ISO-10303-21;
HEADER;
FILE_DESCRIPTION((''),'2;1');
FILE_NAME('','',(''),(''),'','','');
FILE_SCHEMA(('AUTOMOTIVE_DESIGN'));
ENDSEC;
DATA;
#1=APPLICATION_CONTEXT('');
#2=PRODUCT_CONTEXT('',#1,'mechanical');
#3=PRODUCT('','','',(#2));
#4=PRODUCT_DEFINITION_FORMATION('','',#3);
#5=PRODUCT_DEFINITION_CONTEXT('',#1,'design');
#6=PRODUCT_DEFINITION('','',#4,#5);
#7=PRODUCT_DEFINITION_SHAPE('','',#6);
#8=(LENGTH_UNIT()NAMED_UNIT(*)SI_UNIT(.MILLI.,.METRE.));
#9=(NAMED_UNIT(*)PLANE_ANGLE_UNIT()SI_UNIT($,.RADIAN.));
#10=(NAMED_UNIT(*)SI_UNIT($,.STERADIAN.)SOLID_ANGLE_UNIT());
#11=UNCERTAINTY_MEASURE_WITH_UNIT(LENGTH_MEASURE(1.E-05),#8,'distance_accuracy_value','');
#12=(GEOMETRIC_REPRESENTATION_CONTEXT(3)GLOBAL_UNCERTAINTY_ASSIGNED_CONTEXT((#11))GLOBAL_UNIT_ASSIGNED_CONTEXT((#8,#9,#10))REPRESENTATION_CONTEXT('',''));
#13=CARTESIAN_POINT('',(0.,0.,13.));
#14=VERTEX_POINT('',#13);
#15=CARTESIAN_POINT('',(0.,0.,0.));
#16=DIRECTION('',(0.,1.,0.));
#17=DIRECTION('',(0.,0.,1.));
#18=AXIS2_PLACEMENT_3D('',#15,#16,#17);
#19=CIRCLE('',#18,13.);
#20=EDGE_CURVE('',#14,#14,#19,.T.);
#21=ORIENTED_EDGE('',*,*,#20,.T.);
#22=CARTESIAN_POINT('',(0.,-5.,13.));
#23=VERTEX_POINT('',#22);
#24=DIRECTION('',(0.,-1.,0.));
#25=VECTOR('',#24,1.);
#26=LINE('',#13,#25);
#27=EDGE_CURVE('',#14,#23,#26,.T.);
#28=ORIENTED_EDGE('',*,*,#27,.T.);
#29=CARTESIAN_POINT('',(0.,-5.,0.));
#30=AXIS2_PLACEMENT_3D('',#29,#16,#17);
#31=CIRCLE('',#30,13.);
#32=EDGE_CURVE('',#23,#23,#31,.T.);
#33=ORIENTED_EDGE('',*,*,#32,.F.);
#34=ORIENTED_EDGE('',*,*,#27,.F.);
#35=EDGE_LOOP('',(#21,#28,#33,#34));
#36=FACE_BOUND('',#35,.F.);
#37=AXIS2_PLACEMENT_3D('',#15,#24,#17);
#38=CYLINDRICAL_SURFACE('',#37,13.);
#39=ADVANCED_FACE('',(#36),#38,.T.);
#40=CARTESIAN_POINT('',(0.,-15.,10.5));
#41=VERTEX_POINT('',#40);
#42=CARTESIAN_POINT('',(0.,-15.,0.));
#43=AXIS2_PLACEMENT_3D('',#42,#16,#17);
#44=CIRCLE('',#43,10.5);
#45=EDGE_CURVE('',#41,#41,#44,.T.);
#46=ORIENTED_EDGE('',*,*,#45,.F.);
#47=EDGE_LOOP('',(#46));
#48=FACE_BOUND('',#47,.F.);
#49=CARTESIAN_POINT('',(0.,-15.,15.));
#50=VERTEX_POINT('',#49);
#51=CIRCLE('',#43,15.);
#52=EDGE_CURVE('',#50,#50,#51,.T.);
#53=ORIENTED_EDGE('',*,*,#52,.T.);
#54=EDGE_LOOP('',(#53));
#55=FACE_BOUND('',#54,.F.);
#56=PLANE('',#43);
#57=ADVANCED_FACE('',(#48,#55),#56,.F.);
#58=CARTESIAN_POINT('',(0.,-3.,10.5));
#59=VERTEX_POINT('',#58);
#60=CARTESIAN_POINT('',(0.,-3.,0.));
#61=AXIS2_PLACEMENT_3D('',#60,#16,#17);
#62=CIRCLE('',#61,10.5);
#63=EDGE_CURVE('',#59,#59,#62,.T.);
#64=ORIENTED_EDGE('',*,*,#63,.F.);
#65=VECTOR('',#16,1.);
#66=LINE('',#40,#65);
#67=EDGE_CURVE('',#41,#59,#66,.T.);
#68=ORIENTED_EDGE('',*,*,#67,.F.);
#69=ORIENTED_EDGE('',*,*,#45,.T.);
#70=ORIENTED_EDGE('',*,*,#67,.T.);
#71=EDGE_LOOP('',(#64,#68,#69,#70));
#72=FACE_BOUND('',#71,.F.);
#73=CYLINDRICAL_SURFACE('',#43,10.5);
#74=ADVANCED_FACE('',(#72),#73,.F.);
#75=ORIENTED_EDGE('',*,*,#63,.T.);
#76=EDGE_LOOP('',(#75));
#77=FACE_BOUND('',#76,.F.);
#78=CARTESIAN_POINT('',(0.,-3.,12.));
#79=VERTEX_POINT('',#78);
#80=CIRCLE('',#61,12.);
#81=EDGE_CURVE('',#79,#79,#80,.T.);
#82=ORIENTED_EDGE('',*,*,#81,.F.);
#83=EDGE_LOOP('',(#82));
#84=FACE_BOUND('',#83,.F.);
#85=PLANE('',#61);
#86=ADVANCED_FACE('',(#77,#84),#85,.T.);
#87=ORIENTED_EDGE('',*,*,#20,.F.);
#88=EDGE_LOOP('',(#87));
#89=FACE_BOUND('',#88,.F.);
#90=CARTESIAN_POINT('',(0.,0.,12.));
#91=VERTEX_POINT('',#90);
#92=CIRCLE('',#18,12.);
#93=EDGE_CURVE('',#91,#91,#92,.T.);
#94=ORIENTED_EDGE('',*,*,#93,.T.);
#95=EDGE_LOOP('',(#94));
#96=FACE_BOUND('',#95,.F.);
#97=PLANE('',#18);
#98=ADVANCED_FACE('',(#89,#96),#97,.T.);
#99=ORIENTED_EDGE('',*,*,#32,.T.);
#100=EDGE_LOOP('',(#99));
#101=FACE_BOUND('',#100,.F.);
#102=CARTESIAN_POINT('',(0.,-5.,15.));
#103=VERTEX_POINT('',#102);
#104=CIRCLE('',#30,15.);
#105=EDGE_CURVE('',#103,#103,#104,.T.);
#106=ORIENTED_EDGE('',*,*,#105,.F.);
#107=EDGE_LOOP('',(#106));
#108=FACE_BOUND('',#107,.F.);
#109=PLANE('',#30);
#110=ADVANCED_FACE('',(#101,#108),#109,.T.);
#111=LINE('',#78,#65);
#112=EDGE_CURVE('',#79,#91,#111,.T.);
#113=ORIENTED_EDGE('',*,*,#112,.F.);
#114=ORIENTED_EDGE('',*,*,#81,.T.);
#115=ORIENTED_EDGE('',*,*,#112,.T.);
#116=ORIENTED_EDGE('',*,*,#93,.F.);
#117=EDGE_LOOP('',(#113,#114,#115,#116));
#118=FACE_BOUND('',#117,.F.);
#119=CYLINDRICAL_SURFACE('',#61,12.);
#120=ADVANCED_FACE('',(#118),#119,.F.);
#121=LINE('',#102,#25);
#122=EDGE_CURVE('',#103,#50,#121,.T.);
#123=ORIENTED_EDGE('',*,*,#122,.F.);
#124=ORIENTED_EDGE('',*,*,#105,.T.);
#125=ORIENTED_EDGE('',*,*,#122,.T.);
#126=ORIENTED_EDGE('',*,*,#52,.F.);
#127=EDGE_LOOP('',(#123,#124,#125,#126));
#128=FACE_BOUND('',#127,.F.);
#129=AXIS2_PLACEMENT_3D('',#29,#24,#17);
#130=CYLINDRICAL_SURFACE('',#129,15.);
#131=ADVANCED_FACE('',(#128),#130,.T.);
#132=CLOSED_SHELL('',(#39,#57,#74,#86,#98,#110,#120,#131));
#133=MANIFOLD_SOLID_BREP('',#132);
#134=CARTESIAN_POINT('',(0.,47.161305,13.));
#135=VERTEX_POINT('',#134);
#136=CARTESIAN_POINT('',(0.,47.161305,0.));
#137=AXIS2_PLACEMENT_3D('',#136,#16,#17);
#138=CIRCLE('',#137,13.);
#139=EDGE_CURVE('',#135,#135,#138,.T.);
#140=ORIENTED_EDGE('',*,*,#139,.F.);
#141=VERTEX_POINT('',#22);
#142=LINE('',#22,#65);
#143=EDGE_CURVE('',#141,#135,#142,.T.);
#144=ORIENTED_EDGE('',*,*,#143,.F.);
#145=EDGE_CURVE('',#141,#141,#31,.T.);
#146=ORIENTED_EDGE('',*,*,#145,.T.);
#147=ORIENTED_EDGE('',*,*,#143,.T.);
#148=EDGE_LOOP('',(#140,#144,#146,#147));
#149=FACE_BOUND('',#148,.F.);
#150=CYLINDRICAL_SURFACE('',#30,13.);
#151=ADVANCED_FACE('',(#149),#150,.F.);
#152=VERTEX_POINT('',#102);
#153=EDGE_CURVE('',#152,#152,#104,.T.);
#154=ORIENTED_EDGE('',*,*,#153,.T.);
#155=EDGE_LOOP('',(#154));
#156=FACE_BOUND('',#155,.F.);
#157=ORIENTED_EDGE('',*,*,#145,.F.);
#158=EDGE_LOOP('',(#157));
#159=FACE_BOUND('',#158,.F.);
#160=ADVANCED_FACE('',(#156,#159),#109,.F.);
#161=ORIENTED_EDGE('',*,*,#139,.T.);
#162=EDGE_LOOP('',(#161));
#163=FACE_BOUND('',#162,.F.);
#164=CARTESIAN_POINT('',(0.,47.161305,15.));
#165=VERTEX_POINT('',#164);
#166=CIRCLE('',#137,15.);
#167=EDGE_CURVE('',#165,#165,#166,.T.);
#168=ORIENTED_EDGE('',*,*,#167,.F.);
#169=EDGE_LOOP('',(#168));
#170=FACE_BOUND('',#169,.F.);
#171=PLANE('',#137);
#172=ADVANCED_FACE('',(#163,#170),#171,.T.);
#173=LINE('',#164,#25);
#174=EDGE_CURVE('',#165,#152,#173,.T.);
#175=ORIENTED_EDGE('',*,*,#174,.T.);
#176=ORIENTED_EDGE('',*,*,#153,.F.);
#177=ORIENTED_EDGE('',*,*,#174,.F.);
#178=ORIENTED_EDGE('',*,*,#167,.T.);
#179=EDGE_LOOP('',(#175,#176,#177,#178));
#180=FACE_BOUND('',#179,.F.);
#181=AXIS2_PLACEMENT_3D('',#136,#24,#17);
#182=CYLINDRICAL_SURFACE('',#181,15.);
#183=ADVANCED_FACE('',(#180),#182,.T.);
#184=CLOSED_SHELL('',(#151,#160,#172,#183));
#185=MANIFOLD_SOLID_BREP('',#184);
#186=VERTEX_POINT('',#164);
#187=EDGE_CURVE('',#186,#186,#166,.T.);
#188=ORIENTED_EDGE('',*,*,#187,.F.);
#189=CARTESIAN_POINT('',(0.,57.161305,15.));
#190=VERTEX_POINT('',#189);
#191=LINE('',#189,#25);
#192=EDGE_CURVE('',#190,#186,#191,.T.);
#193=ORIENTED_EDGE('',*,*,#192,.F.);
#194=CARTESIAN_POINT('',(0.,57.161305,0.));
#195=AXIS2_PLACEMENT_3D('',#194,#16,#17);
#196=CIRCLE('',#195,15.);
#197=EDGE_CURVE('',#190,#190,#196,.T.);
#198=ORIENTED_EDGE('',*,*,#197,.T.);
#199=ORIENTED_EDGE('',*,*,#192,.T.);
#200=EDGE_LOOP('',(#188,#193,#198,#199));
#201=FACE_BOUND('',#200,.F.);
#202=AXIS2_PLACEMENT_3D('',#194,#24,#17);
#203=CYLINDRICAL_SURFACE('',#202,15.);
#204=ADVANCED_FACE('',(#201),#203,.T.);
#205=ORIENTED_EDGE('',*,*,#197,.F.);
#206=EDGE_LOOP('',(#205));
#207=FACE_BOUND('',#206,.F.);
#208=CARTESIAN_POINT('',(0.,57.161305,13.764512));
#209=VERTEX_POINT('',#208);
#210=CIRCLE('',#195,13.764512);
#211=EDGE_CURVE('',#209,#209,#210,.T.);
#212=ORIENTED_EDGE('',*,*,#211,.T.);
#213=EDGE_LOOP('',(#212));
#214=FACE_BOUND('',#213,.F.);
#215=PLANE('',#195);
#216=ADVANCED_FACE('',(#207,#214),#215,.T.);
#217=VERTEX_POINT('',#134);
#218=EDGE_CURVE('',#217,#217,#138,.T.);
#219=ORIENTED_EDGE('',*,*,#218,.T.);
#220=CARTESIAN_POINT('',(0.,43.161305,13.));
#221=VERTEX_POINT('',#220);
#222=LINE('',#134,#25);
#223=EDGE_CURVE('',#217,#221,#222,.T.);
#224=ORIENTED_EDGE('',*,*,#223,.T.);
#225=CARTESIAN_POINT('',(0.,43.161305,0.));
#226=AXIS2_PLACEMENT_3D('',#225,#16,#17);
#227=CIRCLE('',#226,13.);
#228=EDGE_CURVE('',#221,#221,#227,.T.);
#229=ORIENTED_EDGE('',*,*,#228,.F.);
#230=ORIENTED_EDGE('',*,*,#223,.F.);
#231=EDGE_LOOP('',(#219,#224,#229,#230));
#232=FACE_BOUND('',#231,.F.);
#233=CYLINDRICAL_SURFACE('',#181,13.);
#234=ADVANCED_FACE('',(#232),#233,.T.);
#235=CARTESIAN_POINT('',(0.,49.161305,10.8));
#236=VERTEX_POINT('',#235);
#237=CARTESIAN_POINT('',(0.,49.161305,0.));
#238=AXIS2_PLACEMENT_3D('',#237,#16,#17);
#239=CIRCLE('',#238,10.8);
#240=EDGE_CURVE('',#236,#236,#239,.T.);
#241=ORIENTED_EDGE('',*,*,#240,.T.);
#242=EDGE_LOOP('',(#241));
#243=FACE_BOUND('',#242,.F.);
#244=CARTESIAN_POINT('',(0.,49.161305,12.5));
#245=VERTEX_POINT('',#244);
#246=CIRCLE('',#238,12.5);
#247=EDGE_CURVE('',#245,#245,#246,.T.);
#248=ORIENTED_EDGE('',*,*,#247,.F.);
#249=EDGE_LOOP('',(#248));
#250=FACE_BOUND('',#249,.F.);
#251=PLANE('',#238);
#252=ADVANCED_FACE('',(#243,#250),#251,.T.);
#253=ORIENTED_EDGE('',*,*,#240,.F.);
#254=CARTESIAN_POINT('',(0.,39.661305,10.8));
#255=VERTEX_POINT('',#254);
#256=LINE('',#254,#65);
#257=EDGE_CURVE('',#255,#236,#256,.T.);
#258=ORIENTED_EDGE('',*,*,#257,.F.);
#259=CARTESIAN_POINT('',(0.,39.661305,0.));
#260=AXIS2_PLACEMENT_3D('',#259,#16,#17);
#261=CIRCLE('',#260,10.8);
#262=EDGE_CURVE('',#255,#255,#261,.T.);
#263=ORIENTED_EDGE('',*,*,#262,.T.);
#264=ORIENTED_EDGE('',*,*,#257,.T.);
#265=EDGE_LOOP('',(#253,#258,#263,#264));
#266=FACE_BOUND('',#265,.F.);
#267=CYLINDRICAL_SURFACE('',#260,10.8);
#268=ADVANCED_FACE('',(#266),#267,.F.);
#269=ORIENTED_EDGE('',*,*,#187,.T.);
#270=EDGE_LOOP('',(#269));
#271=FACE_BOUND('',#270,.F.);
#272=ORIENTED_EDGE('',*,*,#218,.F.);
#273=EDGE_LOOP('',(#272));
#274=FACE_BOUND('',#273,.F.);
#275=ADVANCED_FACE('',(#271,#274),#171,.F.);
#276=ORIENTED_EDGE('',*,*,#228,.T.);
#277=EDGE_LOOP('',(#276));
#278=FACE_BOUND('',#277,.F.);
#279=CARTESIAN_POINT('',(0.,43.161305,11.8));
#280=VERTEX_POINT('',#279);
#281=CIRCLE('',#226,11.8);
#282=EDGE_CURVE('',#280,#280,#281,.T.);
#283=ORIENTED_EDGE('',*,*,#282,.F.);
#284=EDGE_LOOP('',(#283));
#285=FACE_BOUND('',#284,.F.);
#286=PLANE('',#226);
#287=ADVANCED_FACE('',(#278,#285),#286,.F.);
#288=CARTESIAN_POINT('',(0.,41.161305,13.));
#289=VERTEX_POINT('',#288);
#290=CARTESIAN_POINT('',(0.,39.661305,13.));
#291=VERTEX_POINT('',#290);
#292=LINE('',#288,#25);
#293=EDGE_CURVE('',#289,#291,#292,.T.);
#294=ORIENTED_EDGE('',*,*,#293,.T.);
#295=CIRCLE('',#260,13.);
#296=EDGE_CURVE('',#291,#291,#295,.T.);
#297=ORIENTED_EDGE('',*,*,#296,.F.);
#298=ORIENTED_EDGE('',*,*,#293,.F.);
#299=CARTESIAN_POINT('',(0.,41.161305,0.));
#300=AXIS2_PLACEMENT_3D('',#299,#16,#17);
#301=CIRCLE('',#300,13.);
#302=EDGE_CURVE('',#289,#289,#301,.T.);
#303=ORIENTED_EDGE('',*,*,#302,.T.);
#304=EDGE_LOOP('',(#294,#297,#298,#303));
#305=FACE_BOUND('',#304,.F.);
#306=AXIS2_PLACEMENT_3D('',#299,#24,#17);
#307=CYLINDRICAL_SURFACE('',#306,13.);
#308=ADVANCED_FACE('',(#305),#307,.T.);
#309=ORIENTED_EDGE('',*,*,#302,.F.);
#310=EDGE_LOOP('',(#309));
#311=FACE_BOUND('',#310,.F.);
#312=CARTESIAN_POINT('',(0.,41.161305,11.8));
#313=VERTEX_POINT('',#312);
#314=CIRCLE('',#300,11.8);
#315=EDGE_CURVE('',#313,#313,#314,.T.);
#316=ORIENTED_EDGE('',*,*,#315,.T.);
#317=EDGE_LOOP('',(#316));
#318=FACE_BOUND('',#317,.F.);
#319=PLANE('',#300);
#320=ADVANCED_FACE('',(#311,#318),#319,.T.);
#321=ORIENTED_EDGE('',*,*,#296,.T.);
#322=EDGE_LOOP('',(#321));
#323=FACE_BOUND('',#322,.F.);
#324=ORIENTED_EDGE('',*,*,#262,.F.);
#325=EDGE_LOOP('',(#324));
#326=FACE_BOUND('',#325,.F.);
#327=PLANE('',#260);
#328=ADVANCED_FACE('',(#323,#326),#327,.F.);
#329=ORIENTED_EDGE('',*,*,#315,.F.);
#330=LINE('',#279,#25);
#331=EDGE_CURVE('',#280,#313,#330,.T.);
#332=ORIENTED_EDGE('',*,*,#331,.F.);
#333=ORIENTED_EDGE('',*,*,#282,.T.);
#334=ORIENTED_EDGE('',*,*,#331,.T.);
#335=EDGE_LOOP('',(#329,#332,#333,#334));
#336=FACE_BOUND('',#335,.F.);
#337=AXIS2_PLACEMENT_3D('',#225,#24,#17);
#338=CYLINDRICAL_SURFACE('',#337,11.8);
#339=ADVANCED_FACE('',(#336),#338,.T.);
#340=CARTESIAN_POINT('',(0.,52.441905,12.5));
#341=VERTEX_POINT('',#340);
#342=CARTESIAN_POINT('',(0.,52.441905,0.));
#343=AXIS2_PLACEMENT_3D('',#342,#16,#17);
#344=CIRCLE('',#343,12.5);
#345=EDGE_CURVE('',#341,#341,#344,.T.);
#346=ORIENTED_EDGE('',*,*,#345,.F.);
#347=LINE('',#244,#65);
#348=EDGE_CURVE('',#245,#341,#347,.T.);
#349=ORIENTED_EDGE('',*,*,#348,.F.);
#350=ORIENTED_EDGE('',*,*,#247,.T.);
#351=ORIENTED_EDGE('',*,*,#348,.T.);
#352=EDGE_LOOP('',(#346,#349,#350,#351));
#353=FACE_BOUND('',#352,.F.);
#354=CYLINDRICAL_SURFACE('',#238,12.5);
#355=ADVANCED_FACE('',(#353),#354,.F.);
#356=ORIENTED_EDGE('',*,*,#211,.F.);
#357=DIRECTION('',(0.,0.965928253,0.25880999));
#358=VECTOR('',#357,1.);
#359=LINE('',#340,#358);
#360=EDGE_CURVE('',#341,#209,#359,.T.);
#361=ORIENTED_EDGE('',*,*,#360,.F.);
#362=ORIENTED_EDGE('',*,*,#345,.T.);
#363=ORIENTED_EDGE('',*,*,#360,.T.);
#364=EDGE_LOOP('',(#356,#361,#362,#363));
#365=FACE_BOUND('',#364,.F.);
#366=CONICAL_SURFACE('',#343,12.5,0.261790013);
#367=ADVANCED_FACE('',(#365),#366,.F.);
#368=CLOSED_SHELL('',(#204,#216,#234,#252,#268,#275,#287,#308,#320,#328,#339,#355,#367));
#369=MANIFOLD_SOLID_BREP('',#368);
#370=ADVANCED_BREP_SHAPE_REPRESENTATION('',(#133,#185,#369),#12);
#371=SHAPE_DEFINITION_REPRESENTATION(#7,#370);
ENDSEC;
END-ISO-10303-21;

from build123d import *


with BuildPart() as f1:
    # F0 (on Right) → F1 (revolve)
    with BuildSketch(Plane.YZ):
        Polygon((-3, 12), (0, 12), (0, 13), (-5, 13), (-5, 15), (-15, 15), (-15, 10.5), (-3, 10.5), align=None)
        Polygon((41.161305, 13), (39.661305, 13), (39.661305, 10.8), (49.161305, 10.8), (49.161305, 12.5), (49.561905, 12.5), (51.441905, 12.5), (52.441905, 12.5), (57.161305, 13.764512), (57.161305, 15), (47.161305, 15), (47.161305, 13), (43.161305, 13), (43.161305, 11.8), (41.161305, 11.8), align=None)
    revolve(axis=Axis((0, 14.743851, 0), (0, 1, 0)))


with BuildPart() as f2:
    # F0 (on Right) → F2 (revolve)
    with BuildSketch(Plane.YZ):
        Polygon((-5, 13), (0, 13), (39.661305, 13), (41.161305, 13), (43.161305, 13), (47.161305, 13), (47.161305, 15), (-5, 15), align=None)
    revolve(axis=Axis((0, 14.743851, 0), (0, 1, 0)))


solid = Compound([f1.part, f2.part])
